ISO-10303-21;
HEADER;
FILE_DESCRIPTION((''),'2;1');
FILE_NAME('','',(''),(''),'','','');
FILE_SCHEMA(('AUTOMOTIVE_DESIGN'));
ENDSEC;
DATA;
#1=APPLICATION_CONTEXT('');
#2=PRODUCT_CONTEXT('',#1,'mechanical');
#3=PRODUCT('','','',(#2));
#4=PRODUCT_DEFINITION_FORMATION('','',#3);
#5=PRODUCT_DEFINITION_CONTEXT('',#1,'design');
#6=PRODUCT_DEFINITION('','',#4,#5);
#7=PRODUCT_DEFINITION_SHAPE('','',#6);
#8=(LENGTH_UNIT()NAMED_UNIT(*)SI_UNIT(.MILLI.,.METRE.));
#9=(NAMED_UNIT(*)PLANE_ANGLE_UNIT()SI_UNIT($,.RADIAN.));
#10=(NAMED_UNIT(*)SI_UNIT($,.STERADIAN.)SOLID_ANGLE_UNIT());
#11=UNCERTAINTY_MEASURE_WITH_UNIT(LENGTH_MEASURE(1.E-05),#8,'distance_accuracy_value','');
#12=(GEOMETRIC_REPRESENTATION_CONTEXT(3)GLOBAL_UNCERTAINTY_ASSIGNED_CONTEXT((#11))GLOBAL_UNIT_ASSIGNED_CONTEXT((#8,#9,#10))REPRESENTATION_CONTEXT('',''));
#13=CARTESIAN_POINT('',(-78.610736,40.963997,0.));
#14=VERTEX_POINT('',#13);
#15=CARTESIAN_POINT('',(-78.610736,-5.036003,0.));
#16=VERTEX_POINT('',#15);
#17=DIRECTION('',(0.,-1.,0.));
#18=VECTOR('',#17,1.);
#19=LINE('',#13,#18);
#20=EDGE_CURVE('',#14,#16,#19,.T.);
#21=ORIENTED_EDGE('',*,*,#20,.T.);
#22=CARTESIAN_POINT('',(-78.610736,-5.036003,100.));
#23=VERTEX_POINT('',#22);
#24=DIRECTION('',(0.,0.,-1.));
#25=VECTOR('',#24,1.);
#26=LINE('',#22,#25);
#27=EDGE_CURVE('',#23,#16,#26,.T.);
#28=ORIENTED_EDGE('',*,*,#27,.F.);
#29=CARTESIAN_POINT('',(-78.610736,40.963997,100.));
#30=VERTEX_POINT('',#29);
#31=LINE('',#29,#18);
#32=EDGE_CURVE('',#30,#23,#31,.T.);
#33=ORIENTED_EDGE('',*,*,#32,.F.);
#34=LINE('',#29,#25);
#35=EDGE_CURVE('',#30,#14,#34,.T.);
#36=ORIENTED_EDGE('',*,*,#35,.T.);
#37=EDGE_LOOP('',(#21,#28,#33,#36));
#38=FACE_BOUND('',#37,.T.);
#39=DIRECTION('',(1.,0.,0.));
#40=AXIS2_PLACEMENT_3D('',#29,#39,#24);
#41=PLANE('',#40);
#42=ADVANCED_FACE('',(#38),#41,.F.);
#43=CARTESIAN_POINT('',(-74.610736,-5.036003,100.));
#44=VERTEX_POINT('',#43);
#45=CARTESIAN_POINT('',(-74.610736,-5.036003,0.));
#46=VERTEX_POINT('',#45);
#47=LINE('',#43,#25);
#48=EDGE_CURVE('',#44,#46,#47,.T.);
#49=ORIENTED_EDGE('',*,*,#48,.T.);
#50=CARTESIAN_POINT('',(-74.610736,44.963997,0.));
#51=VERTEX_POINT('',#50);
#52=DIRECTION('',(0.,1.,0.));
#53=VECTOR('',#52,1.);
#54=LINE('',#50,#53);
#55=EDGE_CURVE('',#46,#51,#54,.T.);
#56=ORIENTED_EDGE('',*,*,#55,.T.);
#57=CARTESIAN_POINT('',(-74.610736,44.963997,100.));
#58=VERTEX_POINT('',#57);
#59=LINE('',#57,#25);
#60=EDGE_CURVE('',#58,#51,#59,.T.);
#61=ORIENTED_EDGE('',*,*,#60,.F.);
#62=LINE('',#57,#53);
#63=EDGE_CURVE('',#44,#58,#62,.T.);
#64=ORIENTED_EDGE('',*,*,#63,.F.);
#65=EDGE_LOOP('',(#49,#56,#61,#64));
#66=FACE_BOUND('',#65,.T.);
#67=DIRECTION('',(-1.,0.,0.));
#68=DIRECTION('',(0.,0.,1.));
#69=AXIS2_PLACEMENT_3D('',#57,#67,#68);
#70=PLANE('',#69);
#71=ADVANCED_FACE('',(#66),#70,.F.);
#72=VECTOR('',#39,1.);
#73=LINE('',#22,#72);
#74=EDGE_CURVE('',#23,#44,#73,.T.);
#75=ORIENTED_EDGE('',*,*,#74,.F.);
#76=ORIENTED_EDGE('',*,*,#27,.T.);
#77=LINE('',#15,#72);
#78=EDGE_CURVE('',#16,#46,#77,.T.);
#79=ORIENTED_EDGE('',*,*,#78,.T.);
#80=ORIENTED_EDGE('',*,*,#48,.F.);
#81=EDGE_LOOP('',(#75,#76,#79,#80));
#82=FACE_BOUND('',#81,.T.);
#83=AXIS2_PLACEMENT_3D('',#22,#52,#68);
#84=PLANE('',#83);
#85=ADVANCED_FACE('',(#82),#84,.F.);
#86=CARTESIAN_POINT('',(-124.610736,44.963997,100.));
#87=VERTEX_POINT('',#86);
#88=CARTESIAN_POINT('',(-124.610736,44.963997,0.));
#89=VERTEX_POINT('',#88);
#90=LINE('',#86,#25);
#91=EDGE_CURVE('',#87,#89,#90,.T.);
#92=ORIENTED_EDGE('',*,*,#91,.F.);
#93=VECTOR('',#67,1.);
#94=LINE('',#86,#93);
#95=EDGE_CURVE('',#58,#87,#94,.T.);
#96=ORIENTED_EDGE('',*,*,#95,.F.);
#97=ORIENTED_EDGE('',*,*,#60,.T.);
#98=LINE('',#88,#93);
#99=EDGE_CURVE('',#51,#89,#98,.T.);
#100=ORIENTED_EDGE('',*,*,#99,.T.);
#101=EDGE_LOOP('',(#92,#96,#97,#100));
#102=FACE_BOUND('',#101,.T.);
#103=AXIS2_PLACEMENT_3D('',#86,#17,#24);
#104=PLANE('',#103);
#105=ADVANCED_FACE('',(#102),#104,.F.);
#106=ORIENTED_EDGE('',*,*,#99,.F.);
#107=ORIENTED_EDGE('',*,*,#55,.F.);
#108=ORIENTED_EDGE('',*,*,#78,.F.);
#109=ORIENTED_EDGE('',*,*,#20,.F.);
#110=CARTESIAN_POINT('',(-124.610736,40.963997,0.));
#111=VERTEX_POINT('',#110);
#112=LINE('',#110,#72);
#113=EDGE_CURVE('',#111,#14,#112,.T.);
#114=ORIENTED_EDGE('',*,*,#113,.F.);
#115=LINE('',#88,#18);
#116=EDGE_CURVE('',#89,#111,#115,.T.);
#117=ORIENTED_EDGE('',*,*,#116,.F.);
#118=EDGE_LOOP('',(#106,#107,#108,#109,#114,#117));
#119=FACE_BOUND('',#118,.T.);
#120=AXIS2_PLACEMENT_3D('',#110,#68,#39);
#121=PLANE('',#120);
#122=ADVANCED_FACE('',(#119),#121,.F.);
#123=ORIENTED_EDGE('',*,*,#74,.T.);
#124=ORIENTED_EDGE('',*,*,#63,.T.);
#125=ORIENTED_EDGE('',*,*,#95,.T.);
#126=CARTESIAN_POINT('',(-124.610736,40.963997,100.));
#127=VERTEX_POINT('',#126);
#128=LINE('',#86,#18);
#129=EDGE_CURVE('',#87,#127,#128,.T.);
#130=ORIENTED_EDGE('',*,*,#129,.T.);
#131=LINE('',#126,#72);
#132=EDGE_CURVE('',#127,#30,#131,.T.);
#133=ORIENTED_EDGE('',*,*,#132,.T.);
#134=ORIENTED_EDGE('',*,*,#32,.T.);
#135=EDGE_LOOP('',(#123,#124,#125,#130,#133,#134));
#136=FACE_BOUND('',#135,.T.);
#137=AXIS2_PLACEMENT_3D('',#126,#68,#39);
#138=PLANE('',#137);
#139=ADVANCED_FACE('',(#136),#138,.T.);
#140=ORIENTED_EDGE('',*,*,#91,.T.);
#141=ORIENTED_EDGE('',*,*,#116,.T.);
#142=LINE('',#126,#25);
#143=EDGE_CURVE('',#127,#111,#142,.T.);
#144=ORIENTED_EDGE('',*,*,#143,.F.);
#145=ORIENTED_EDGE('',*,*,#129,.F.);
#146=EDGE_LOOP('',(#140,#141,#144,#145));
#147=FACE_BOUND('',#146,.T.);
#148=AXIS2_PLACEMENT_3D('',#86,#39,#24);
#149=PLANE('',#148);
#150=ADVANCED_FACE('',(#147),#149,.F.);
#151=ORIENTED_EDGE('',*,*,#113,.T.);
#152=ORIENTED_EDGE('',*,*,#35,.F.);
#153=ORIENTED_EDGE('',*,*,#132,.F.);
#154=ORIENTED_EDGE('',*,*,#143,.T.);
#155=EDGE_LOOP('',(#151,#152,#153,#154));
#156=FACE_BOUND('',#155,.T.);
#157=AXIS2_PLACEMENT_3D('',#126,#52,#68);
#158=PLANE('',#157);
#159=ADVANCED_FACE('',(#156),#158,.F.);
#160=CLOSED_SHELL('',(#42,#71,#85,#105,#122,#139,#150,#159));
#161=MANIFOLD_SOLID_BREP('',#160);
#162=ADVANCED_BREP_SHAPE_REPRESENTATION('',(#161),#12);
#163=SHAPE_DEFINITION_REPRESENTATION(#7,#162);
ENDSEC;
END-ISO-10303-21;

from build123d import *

# Parameters (mm, degrees)
SALIENTE_EXTRUIR2_DEPTH = 100


with BuildPart() as part:
    # Croquis1 → Saliente-Extruir2 (new body)
    with BuildSketch(Plane.XY):
        Polygon((-124.610735746, 44.963996627), (-74.610735746, 44.963996627), (-74.610735746, -5.036003373), (-78.610735746, -5.036003373), (-78.610735746, 40.963996627), (-124.610735746, 40.963996627), align=None)
    extrude(amount=SALIENTE_EXTRUIR2_DEPTH)


solid = part.part
